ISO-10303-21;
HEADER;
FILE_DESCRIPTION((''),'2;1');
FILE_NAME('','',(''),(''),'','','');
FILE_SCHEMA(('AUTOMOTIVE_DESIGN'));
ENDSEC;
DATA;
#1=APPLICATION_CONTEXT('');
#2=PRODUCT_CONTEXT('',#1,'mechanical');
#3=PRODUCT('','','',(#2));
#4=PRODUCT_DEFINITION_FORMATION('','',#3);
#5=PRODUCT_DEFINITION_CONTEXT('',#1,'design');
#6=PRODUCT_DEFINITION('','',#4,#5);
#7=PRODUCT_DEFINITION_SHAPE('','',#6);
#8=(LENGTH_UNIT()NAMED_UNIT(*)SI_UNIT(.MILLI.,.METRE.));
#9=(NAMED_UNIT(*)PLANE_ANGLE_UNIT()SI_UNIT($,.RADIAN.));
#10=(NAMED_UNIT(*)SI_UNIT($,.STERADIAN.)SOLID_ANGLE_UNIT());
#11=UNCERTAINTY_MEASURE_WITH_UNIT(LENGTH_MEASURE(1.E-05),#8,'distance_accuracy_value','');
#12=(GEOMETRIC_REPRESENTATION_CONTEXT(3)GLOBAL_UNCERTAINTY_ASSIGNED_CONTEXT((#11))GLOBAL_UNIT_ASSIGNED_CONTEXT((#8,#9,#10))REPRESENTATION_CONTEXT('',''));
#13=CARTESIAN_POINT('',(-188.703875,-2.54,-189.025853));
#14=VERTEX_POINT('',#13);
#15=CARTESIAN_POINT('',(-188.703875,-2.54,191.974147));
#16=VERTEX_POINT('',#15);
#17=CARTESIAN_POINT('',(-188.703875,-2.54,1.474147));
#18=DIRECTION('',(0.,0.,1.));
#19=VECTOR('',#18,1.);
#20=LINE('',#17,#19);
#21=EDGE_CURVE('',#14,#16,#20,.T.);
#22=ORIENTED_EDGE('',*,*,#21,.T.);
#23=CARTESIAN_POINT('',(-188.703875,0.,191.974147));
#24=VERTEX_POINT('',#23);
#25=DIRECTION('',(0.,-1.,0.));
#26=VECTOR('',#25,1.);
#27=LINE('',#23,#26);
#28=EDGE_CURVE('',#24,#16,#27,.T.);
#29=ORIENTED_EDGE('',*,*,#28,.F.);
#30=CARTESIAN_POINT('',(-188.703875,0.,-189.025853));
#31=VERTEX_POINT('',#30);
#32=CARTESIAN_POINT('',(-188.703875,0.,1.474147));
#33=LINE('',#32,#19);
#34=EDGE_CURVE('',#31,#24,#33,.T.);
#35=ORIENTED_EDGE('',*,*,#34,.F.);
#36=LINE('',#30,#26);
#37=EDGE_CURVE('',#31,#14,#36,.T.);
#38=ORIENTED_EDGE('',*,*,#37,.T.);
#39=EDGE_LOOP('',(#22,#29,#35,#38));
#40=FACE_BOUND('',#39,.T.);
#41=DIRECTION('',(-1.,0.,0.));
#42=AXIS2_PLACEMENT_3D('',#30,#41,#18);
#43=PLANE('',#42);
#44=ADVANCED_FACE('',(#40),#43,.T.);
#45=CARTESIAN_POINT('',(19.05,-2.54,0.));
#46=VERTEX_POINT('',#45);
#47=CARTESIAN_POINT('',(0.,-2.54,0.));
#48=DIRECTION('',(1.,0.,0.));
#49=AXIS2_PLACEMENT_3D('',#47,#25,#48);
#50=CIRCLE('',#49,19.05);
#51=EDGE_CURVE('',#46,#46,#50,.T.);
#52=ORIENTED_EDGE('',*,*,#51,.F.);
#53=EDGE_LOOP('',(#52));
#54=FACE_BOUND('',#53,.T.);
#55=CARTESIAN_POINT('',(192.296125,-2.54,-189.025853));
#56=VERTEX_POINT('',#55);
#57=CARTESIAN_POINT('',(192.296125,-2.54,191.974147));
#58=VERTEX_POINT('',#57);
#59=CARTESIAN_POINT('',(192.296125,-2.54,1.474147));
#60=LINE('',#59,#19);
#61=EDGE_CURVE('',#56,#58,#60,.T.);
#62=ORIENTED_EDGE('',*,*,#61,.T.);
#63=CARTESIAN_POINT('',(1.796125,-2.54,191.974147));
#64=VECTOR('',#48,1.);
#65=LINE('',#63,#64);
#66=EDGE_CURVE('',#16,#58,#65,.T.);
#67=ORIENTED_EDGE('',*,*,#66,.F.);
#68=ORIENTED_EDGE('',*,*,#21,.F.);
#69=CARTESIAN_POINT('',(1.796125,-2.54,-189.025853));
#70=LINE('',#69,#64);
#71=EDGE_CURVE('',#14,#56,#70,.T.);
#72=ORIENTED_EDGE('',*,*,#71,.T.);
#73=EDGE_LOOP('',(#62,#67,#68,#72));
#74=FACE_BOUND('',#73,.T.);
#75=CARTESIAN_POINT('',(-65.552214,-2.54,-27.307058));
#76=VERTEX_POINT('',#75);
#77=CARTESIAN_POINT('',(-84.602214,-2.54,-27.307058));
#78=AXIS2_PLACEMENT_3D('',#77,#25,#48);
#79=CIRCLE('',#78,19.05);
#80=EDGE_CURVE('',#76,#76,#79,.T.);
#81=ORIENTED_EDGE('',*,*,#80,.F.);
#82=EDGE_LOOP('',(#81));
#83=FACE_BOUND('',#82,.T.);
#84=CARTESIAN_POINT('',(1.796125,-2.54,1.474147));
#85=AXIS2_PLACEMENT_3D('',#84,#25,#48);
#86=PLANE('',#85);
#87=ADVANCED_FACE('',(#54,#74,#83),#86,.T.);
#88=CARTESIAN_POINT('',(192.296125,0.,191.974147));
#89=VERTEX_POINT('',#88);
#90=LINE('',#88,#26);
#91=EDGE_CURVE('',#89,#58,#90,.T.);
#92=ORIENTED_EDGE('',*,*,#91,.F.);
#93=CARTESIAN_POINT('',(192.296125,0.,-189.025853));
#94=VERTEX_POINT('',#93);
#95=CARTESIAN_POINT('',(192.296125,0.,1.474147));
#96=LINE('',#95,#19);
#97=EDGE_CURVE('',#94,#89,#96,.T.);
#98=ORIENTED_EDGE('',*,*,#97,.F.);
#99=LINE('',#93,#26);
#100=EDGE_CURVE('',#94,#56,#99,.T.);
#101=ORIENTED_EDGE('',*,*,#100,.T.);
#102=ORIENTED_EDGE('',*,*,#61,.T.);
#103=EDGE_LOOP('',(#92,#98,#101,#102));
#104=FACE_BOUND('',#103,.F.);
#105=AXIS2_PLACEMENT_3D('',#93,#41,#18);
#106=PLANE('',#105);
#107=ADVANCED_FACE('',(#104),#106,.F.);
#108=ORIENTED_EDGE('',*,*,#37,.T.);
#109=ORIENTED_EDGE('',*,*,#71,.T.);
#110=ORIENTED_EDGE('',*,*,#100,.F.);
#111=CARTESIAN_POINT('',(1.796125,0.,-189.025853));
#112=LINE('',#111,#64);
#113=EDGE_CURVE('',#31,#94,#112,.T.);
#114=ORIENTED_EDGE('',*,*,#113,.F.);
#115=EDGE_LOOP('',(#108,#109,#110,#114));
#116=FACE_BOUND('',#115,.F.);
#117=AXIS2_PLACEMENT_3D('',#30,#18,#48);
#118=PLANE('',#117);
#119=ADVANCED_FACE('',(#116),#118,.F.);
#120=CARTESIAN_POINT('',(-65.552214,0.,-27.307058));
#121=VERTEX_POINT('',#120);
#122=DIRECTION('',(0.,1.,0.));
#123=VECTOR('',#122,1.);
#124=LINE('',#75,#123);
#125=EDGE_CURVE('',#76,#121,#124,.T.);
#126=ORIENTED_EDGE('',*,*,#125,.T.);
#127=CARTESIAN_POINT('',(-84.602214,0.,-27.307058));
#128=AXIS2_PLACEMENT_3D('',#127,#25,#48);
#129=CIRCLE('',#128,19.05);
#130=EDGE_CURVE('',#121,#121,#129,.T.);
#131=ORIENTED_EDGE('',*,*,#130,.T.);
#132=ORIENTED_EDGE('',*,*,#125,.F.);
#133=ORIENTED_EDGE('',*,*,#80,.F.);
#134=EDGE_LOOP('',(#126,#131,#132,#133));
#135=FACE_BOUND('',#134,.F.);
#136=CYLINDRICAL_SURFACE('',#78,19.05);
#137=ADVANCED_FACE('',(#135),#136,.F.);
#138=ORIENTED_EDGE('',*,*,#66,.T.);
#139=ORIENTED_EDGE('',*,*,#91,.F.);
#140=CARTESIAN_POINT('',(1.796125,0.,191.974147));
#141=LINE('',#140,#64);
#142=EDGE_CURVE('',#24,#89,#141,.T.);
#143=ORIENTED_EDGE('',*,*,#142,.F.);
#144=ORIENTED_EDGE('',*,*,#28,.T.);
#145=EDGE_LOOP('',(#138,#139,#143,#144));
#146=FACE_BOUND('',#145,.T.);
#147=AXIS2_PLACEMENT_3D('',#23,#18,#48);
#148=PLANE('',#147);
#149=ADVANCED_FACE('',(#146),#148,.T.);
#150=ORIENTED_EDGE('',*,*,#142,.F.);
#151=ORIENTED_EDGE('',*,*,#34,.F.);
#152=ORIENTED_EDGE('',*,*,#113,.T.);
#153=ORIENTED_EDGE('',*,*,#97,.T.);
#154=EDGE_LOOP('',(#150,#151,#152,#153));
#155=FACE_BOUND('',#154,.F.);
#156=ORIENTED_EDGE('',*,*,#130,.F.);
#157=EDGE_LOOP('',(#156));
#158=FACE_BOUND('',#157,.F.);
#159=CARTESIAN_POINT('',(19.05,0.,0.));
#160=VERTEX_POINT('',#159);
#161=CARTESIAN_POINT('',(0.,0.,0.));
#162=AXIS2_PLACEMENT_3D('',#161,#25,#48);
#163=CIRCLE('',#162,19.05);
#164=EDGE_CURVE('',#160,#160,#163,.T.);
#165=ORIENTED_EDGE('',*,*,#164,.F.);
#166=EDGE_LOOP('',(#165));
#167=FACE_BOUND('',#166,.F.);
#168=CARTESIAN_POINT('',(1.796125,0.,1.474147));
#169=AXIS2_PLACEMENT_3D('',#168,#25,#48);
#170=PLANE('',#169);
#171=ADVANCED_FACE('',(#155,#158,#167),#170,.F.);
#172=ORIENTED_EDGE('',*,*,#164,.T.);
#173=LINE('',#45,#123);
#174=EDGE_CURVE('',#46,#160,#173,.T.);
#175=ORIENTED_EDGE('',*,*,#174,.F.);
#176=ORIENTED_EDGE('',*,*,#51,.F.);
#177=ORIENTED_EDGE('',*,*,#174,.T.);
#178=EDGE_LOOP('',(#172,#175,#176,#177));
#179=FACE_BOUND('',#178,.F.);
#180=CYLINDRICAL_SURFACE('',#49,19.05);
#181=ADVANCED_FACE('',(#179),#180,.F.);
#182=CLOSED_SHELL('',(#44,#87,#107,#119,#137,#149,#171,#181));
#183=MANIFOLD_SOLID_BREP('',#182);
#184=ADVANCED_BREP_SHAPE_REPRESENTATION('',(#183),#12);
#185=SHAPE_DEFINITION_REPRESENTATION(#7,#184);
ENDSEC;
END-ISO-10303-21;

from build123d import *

# Parameters (mm, degrees)
F0_W     = 381
F0_H     = 381
F1_DEPTH = 2.54
F2_R     = 19.05
F3_DEPTH = 2.541


with BuildPart() as f1:
    # F0 (on Front) → F1 (new body)
    with BuildSketch(Plane.XZ):
        with Locations((1.796125, 1.474147)):
            Rectangle(F0_W, F0_H)
    extrude(amount=F1_DEPTH)

    # F2 (on face) → F3 (cut, through all)
    with BuildSketch(Plane.XZ.offset(2.54)):
        Circle(F2_R)
        with Locations((-84.602214, -27.307058)):
            Circle(F2_R)
    extrude(amount=-F3_DEPTH, mode=Mode.SUBTRACT)


solid = f1.part
